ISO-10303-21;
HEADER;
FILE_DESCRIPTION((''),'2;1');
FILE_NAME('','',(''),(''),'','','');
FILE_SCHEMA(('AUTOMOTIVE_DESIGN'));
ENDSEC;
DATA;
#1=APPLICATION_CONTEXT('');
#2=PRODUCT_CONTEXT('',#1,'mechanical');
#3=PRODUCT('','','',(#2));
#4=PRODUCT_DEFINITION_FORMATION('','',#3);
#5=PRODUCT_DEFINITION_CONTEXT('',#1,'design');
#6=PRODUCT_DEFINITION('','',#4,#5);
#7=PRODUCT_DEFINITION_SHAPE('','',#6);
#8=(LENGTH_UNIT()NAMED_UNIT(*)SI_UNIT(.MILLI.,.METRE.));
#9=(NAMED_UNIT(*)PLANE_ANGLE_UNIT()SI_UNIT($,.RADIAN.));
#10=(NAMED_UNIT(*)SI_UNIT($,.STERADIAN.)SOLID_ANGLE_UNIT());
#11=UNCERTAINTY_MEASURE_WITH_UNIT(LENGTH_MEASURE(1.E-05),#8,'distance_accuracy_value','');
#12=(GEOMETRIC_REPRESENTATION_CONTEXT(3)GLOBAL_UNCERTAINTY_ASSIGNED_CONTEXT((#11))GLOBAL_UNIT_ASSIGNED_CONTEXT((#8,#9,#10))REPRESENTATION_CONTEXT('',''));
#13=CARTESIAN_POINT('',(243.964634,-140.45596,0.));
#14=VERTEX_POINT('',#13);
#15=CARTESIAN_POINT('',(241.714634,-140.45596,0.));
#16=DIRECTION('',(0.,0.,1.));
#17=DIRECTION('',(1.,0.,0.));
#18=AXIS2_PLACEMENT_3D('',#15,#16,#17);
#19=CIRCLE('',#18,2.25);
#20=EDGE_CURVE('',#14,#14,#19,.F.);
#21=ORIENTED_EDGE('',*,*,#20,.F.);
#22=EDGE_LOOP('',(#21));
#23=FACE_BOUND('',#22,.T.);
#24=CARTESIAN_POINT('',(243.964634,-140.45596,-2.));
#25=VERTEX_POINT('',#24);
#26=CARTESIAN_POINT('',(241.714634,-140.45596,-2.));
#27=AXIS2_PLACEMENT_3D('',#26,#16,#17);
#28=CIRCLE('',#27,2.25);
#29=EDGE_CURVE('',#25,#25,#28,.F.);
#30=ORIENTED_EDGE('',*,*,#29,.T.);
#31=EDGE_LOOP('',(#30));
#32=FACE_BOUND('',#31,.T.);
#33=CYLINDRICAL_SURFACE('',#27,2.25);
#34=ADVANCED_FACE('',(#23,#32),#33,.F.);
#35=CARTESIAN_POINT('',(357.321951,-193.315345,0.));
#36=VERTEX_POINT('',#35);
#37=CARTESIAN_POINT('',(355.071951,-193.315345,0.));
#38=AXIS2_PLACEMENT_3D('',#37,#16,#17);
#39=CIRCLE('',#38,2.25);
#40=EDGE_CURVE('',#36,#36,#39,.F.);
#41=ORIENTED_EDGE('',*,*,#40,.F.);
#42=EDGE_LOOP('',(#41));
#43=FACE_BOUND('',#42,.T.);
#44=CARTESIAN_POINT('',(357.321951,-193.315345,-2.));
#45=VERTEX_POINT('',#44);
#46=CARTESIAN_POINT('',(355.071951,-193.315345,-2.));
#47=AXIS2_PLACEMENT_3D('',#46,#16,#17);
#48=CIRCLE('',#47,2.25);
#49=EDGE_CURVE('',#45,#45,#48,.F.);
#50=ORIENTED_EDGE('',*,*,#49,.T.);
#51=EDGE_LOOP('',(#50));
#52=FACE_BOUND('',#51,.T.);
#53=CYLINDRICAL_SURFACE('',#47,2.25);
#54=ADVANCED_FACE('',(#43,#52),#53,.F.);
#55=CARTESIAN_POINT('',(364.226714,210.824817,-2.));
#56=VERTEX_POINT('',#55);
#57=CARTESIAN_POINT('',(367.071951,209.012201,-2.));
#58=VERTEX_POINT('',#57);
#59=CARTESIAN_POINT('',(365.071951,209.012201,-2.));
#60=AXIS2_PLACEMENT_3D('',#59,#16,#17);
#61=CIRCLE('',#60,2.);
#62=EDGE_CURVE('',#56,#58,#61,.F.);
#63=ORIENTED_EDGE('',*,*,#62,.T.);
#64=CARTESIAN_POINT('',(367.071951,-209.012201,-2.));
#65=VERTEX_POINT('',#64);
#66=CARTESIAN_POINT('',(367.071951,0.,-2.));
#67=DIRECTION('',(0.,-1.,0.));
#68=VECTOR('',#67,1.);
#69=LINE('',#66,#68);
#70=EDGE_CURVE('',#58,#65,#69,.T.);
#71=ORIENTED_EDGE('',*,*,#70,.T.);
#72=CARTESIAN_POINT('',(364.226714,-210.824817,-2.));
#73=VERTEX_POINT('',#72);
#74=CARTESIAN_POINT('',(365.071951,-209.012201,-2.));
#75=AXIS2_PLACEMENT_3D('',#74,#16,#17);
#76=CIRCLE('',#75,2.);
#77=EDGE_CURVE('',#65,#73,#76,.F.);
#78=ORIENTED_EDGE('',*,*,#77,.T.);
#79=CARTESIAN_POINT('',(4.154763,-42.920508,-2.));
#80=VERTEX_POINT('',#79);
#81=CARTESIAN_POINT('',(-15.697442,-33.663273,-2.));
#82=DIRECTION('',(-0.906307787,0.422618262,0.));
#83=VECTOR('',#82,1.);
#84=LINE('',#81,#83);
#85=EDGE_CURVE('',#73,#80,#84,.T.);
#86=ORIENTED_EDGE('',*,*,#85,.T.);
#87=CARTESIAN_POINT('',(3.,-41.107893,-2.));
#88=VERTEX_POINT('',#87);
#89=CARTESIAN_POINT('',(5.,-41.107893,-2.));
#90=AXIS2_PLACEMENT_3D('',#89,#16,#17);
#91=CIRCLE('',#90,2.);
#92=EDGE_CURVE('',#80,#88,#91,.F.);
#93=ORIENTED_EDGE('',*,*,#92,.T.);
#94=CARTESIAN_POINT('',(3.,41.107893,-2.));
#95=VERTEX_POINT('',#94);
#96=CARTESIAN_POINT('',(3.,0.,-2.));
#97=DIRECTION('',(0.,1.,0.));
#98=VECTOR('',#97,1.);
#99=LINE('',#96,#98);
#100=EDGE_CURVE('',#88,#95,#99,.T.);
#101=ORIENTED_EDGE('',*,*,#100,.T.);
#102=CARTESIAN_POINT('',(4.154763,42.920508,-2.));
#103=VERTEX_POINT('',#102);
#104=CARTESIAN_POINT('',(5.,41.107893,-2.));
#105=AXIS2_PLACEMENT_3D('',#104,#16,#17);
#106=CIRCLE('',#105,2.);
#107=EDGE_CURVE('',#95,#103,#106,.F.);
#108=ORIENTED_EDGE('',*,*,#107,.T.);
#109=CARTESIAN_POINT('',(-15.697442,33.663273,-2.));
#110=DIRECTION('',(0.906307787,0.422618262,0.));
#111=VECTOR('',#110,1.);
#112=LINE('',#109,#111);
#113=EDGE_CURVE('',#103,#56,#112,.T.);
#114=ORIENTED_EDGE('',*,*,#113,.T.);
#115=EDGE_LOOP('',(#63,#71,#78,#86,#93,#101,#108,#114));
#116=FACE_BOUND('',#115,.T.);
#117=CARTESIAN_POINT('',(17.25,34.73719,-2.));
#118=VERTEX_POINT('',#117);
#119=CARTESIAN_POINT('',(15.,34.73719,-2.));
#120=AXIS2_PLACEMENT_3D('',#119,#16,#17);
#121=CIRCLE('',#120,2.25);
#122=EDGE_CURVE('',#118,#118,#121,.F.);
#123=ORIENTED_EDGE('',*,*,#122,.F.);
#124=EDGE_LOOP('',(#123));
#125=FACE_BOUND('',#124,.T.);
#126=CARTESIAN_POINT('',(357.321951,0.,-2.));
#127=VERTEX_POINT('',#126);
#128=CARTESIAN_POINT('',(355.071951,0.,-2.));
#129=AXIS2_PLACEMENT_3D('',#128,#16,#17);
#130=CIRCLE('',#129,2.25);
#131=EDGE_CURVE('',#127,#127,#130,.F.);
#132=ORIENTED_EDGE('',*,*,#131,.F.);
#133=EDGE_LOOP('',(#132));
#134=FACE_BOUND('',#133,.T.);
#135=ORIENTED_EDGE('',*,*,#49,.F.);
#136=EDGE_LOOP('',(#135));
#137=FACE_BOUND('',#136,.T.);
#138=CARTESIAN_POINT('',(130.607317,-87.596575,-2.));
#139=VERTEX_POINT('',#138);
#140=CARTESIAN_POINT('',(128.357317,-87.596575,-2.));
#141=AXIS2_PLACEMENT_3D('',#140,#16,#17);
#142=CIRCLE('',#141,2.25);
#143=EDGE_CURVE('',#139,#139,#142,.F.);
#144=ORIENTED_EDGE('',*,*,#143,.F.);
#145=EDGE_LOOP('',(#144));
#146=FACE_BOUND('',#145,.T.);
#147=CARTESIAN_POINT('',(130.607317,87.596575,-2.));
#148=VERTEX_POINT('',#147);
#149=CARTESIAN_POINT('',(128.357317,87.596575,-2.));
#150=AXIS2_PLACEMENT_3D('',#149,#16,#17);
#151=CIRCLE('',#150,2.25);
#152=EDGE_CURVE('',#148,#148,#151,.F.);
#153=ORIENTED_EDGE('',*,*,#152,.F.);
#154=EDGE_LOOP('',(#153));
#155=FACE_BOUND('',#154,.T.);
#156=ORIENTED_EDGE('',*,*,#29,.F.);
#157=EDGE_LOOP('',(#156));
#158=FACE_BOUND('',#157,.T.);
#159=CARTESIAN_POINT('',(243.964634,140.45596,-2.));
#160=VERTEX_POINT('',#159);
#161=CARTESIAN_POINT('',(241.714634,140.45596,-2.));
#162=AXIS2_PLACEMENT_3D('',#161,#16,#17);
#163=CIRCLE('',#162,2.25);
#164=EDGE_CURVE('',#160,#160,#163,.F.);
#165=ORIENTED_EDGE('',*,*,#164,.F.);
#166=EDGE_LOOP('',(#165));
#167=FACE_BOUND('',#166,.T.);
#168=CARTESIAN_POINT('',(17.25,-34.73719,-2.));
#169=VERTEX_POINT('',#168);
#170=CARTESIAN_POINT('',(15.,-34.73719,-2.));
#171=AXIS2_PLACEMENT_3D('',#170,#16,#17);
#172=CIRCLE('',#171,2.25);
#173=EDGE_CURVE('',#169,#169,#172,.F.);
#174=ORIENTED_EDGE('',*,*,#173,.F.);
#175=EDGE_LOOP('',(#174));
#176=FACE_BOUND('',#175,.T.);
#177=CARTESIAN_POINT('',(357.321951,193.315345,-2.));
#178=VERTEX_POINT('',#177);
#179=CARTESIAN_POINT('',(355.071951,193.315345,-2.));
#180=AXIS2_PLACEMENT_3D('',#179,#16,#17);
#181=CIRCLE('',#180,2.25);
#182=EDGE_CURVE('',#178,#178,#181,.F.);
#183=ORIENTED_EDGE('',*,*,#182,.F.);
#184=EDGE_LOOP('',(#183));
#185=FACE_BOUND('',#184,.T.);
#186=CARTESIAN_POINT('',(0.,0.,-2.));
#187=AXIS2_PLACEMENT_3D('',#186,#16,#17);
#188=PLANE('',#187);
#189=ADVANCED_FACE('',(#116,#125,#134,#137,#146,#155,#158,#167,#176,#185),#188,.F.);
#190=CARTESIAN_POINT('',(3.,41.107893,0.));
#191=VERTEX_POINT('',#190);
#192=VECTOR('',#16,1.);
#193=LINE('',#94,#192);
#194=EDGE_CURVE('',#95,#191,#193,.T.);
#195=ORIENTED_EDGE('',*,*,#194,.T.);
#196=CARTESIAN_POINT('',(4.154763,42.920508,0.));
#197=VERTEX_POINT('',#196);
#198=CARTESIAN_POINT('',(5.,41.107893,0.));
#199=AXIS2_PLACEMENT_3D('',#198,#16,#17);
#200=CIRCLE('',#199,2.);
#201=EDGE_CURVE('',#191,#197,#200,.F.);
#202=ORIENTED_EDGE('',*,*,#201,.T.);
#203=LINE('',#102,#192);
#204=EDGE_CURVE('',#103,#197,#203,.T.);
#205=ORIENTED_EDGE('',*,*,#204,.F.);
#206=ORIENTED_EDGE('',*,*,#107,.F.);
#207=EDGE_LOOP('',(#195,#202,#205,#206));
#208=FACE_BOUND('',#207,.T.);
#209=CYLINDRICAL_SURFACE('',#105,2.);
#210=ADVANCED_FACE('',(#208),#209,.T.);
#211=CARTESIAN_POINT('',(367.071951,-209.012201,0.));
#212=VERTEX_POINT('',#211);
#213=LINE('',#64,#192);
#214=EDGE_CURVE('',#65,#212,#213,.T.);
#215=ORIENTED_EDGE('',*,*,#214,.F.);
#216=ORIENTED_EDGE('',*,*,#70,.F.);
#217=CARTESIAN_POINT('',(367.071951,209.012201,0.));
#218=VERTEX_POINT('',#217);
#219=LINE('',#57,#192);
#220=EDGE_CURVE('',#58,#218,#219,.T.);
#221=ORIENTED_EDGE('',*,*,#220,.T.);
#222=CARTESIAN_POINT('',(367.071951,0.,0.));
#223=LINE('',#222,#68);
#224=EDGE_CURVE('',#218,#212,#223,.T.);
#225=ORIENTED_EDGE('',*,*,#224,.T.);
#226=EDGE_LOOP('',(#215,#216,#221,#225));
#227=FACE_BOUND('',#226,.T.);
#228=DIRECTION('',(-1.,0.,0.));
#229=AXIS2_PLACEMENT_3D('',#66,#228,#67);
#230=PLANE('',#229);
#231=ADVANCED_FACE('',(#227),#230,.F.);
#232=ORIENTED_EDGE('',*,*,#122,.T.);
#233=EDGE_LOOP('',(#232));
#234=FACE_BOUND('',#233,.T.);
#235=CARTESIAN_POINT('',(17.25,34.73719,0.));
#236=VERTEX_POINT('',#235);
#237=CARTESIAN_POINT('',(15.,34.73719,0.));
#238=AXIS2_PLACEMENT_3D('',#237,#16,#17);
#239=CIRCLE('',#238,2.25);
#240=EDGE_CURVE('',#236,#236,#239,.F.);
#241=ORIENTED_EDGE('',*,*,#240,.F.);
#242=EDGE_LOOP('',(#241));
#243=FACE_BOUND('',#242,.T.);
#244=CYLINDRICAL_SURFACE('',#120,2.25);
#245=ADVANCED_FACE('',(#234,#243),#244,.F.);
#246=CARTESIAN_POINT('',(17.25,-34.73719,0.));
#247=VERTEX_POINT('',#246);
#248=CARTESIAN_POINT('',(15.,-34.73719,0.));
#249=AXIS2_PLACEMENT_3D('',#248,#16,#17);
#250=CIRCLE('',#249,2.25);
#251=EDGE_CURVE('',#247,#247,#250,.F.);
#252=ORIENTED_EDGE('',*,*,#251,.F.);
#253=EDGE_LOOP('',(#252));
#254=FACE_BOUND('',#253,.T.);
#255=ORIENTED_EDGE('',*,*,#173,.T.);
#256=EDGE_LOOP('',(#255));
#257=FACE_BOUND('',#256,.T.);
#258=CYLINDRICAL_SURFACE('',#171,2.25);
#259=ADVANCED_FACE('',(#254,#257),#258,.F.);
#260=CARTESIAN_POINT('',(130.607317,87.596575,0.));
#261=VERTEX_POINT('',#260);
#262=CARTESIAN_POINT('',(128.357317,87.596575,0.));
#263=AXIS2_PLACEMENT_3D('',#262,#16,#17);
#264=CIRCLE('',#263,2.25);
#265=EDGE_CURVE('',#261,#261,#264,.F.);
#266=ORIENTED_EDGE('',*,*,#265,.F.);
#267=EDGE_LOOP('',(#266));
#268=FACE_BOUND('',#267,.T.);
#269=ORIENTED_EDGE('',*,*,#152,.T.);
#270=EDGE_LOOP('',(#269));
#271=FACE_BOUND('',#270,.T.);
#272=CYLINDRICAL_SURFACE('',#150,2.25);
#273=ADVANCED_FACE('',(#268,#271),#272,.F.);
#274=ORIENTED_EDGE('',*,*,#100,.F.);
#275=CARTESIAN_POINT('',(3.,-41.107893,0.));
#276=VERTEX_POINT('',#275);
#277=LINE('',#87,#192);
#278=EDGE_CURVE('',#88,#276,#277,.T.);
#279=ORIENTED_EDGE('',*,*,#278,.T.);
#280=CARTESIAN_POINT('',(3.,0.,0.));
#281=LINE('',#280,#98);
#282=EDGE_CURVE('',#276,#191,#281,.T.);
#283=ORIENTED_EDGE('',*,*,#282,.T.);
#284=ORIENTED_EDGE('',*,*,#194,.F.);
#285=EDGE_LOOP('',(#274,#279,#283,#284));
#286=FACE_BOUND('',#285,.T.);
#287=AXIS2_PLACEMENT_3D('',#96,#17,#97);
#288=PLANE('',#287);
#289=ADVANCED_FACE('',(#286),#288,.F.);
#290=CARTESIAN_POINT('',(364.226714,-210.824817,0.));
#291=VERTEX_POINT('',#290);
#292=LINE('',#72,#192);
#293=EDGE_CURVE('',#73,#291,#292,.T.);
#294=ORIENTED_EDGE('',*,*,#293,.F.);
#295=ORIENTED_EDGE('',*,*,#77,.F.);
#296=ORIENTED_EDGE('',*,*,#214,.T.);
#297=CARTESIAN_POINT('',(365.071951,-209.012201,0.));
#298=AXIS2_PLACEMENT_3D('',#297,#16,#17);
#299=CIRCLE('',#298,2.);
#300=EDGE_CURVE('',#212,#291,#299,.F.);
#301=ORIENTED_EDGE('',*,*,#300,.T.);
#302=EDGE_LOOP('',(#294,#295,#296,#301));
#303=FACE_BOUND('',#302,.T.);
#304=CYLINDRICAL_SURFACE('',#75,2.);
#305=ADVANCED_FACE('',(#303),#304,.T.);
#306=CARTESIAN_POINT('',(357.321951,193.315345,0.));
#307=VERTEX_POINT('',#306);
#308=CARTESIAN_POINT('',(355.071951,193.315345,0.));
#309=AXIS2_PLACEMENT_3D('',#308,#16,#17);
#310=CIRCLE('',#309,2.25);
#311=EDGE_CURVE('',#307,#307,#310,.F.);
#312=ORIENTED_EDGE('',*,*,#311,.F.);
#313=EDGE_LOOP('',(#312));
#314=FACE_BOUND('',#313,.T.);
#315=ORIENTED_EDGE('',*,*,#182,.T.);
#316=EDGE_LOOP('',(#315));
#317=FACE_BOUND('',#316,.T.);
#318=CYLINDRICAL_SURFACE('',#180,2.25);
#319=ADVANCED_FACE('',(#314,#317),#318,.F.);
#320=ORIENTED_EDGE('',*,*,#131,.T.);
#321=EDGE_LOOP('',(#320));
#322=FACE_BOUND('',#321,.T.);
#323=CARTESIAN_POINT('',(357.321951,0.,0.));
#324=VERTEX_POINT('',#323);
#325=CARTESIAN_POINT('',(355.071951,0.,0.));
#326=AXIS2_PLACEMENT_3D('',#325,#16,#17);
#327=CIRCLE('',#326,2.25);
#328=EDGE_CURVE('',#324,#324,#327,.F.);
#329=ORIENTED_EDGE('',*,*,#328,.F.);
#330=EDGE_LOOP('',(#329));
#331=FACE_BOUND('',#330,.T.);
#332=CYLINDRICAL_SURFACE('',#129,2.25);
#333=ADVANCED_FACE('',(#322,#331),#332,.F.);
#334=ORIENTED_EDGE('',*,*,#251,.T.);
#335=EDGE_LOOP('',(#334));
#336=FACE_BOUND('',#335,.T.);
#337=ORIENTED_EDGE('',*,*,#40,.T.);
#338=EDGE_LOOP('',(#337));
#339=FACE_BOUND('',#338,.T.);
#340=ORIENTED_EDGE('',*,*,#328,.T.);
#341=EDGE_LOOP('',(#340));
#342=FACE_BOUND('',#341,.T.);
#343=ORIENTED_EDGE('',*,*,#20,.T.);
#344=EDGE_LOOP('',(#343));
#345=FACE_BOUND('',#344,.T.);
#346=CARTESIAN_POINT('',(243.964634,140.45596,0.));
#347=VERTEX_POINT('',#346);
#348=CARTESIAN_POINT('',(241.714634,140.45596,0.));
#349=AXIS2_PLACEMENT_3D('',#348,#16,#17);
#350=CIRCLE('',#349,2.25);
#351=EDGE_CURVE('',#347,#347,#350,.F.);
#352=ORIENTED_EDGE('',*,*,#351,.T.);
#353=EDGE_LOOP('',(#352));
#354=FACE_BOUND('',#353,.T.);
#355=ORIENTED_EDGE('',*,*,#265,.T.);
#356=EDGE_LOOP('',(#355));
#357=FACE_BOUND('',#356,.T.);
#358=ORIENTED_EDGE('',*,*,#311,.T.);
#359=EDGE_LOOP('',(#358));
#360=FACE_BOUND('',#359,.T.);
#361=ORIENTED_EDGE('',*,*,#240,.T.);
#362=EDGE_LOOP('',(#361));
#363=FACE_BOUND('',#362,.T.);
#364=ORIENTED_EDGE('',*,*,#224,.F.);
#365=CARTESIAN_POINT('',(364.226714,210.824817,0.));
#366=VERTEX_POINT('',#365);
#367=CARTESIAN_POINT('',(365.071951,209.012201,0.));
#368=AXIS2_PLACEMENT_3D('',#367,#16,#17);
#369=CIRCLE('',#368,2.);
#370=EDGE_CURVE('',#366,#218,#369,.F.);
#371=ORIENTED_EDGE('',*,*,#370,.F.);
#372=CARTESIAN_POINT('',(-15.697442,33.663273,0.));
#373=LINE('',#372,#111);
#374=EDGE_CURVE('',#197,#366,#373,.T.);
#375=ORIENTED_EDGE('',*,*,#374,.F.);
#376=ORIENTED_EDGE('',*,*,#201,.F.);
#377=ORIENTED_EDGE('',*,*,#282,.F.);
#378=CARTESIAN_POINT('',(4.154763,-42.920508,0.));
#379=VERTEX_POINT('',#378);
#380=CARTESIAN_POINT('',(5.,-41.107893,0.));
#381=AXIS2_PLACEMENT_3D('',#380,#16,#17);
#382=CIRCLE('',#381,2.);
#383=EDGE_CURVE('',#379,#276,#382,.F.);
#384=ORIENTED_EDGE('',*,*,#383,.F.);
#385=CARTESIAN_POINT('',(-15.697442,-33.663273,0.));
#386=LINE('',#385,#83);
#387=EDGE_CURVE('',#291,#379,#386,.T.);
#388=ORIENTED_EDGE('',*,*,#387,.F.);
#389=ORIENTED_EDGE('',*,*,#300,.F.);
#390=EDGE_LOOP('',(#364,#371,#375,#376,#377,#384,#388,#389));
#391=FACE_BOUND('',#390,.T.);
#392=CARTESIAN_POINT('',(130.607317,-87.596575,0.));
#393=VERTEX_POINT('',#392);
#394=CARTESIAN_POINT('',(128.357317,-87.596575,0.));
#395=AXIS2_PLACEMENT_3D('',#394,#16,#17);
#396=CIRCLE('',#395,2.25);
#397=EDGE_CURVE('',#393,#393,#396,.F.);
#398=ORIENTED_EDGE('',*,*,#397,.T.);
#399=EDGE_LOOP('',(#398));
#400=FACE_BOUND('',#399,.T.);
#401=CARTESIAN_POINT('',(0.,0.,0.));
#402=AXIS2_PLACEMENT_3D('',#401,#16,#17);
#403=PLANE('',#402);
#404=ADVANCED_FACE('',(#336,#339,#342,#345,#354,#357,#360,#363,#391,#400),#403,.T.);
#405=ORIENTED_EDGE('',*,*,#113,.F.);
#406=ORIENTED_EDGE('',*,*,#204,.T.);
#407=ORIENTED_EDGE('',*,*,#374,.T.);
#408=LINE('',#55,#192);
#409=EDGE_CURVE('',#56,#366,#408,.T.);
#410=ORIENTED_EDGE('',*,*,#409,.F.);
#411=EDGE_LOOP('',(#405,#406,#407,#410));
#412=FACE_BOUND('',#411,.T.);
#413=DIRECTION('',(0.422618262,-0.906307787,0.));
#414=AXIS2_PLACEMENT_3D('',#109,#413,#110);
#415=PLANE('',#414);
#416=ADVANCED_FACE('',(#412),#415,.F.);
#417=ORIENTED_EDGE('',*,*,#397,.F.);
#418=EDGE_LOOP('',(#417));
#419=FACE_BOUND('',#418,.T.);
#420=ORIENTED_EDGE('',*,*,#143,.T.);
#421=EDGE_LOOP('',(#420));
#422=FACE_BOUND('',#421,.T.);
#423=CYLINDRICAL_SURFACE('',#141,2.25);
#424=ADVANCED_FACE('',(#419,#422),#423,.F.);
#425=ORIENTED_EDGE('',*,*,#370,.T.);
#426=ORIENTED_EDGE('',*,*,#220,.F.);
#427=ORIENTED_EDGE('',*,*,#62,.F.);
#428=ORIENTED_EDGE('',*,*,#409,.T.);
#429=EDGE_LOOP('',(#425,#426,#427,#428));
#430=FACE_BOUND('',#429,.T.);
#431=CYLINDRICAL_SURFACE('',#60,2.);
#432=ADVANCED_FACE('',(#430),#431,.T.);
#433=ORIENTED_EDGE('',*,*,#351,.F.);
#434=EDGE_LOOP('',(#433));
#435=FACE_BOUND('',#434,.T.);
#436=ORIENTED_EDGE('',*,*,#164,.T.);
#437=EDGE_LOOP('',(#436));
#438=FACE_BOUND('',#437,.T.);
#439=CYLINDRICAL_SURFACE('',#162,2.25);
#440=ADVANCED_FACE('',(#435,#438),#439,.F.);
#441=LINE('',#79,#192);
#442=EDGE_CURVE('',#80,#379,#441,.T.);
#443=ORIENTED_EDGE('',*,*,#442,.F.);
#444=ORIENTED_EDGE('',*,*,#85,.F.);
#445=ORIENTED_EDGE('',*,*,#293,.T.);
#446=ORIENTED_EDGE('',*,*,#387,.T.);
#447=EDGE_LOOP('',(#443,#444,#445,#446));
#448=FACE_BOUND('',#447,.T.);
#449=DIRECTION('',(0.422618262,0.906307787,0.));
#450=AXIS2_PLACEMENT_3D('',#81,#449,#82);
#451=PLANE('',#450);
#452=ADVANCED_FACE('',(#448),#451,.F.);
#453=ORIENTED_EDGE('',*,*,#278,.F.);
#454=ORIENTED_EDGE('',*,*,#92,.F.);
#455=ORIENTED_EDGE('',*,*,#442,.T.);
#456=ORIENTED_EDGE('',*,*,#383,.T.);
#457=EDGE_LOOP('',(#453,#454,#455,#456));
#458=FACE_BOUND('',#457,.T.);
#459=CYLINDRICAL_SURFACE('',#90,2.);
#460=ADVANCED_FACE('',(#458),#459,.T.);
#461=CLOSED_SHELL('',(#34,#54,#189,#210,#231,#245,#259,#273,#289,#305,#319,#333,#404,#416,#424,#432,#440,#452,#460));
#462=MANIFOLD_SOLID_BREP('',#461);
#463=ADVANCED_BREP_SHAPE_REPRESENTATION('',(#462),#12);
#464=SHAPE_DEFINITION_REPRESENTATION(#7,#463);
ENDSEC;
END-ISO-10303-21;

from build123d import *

# Parameters (mm, degrees)
ESQUISSE1_R        = 2.25
BOSS_EXTRU_1_DEPTH = 2


with BuildPart() as part:
    # Esquisse1 → Boss.-Extru.1 (new body)
    with BuildSketch(Plane(origin=(0, 0, 0), x_dir=(-1, 0, 0), z_dir=(0, 0, -1))):
        with BuildLine():
            Line((-3, -41.107892858), (-3, 41.107892858))
            ThreePointArc((-3, 41.107892858), (-3.313217108, 42.182492075), (-4.154763477, 42.920508432))
            Line((-4.154763477, 42.920508432), (-364.226714185, 210.824816534))
            ThreePointArc((-364.226714185, 210.824816534), (-366.146549925, 210.698983852), (-367.071950708, 209.01220096))
            Line((-367.071950708, 209.01220096), (-367.071950708, -209.01220096))
            ThreePointArc((-367.071950708, -209.01220096), (-366.146549925, -210.698983852), (-364.226714185, -210.824816534))
            Line((-364.226714185, -210.824816534), (-4.154763477, -42.920508432))
            ThreePointArc((-4.154763477, -42.920508432), (-3.313217108, -42.182492075), (-3, -41.107892858))
        make_face()
        with Locations(Location((-355.071950708, 0, 0), (0, 0, 180))):  # turned: the seam where the file's is
            Circle(ESQUISSE1_R, mode=Mode.SUBTRACT)
        with Locations(Location((-355.071950708, -193.315345189, 0), (0, 0, 180))):  # turned: the seam where the file's is
            Circle(ESQUISSE1_R, mode=Mode.SUBTRACT)
        with Locations(Location((-241.714633806, -140.455960209, 0), (0, 0, 180))):  # turned: the seam where the file's is
            Circle(ESQUISSE1_R, mode=Mode.SUBTRACT)
        with Locations(Location((-128.357316903, -87.59657523, 0), (0, 0, 180))):  # turned: the seam where the file's is
            Circle(ESQUISSE1_R, mode=Mode.SUBTRACT)
        with Locations(Location((-15, -34.73719025, 0), (0, 0, 180))):  # turned: the seam where the file's is
            Circle(ESQUISSE1_R, mode=Mode.SUBTRACT)
        with Locations(Location((-15, 34.73719025, 0), (0, 0, 180))):  # turned: the seam where the file's is
            Circle(ESQUISSE1_R, mode=Mode.SUBTRACT)
        with Locations(Location((-128.357316903, 87.59657523, 0), (0, 0, 180))):  # turned: the seam where the file's is
            Circle(ESQUISSE1_R, mode=Mode.SUBTRACT)
        with Locations(Location((-241.714633806, 140.455960209, 0), (0, 0, 180))):  # turned: the seam where the file's is
            Circle(ESQUISSE1_R, mode=Mode.SUBTRACT)
        with Locations(Location((-355.071950708, 193.315345189, 0), (0, 0, 180))):  # turned: the seam where the file's is
            Circle(ESQUISSE1_R, mode=Mode.SUBTRACT)
    extrude(amount=BOSS_EXTRU_1_DEPTH)


solid = part.part
